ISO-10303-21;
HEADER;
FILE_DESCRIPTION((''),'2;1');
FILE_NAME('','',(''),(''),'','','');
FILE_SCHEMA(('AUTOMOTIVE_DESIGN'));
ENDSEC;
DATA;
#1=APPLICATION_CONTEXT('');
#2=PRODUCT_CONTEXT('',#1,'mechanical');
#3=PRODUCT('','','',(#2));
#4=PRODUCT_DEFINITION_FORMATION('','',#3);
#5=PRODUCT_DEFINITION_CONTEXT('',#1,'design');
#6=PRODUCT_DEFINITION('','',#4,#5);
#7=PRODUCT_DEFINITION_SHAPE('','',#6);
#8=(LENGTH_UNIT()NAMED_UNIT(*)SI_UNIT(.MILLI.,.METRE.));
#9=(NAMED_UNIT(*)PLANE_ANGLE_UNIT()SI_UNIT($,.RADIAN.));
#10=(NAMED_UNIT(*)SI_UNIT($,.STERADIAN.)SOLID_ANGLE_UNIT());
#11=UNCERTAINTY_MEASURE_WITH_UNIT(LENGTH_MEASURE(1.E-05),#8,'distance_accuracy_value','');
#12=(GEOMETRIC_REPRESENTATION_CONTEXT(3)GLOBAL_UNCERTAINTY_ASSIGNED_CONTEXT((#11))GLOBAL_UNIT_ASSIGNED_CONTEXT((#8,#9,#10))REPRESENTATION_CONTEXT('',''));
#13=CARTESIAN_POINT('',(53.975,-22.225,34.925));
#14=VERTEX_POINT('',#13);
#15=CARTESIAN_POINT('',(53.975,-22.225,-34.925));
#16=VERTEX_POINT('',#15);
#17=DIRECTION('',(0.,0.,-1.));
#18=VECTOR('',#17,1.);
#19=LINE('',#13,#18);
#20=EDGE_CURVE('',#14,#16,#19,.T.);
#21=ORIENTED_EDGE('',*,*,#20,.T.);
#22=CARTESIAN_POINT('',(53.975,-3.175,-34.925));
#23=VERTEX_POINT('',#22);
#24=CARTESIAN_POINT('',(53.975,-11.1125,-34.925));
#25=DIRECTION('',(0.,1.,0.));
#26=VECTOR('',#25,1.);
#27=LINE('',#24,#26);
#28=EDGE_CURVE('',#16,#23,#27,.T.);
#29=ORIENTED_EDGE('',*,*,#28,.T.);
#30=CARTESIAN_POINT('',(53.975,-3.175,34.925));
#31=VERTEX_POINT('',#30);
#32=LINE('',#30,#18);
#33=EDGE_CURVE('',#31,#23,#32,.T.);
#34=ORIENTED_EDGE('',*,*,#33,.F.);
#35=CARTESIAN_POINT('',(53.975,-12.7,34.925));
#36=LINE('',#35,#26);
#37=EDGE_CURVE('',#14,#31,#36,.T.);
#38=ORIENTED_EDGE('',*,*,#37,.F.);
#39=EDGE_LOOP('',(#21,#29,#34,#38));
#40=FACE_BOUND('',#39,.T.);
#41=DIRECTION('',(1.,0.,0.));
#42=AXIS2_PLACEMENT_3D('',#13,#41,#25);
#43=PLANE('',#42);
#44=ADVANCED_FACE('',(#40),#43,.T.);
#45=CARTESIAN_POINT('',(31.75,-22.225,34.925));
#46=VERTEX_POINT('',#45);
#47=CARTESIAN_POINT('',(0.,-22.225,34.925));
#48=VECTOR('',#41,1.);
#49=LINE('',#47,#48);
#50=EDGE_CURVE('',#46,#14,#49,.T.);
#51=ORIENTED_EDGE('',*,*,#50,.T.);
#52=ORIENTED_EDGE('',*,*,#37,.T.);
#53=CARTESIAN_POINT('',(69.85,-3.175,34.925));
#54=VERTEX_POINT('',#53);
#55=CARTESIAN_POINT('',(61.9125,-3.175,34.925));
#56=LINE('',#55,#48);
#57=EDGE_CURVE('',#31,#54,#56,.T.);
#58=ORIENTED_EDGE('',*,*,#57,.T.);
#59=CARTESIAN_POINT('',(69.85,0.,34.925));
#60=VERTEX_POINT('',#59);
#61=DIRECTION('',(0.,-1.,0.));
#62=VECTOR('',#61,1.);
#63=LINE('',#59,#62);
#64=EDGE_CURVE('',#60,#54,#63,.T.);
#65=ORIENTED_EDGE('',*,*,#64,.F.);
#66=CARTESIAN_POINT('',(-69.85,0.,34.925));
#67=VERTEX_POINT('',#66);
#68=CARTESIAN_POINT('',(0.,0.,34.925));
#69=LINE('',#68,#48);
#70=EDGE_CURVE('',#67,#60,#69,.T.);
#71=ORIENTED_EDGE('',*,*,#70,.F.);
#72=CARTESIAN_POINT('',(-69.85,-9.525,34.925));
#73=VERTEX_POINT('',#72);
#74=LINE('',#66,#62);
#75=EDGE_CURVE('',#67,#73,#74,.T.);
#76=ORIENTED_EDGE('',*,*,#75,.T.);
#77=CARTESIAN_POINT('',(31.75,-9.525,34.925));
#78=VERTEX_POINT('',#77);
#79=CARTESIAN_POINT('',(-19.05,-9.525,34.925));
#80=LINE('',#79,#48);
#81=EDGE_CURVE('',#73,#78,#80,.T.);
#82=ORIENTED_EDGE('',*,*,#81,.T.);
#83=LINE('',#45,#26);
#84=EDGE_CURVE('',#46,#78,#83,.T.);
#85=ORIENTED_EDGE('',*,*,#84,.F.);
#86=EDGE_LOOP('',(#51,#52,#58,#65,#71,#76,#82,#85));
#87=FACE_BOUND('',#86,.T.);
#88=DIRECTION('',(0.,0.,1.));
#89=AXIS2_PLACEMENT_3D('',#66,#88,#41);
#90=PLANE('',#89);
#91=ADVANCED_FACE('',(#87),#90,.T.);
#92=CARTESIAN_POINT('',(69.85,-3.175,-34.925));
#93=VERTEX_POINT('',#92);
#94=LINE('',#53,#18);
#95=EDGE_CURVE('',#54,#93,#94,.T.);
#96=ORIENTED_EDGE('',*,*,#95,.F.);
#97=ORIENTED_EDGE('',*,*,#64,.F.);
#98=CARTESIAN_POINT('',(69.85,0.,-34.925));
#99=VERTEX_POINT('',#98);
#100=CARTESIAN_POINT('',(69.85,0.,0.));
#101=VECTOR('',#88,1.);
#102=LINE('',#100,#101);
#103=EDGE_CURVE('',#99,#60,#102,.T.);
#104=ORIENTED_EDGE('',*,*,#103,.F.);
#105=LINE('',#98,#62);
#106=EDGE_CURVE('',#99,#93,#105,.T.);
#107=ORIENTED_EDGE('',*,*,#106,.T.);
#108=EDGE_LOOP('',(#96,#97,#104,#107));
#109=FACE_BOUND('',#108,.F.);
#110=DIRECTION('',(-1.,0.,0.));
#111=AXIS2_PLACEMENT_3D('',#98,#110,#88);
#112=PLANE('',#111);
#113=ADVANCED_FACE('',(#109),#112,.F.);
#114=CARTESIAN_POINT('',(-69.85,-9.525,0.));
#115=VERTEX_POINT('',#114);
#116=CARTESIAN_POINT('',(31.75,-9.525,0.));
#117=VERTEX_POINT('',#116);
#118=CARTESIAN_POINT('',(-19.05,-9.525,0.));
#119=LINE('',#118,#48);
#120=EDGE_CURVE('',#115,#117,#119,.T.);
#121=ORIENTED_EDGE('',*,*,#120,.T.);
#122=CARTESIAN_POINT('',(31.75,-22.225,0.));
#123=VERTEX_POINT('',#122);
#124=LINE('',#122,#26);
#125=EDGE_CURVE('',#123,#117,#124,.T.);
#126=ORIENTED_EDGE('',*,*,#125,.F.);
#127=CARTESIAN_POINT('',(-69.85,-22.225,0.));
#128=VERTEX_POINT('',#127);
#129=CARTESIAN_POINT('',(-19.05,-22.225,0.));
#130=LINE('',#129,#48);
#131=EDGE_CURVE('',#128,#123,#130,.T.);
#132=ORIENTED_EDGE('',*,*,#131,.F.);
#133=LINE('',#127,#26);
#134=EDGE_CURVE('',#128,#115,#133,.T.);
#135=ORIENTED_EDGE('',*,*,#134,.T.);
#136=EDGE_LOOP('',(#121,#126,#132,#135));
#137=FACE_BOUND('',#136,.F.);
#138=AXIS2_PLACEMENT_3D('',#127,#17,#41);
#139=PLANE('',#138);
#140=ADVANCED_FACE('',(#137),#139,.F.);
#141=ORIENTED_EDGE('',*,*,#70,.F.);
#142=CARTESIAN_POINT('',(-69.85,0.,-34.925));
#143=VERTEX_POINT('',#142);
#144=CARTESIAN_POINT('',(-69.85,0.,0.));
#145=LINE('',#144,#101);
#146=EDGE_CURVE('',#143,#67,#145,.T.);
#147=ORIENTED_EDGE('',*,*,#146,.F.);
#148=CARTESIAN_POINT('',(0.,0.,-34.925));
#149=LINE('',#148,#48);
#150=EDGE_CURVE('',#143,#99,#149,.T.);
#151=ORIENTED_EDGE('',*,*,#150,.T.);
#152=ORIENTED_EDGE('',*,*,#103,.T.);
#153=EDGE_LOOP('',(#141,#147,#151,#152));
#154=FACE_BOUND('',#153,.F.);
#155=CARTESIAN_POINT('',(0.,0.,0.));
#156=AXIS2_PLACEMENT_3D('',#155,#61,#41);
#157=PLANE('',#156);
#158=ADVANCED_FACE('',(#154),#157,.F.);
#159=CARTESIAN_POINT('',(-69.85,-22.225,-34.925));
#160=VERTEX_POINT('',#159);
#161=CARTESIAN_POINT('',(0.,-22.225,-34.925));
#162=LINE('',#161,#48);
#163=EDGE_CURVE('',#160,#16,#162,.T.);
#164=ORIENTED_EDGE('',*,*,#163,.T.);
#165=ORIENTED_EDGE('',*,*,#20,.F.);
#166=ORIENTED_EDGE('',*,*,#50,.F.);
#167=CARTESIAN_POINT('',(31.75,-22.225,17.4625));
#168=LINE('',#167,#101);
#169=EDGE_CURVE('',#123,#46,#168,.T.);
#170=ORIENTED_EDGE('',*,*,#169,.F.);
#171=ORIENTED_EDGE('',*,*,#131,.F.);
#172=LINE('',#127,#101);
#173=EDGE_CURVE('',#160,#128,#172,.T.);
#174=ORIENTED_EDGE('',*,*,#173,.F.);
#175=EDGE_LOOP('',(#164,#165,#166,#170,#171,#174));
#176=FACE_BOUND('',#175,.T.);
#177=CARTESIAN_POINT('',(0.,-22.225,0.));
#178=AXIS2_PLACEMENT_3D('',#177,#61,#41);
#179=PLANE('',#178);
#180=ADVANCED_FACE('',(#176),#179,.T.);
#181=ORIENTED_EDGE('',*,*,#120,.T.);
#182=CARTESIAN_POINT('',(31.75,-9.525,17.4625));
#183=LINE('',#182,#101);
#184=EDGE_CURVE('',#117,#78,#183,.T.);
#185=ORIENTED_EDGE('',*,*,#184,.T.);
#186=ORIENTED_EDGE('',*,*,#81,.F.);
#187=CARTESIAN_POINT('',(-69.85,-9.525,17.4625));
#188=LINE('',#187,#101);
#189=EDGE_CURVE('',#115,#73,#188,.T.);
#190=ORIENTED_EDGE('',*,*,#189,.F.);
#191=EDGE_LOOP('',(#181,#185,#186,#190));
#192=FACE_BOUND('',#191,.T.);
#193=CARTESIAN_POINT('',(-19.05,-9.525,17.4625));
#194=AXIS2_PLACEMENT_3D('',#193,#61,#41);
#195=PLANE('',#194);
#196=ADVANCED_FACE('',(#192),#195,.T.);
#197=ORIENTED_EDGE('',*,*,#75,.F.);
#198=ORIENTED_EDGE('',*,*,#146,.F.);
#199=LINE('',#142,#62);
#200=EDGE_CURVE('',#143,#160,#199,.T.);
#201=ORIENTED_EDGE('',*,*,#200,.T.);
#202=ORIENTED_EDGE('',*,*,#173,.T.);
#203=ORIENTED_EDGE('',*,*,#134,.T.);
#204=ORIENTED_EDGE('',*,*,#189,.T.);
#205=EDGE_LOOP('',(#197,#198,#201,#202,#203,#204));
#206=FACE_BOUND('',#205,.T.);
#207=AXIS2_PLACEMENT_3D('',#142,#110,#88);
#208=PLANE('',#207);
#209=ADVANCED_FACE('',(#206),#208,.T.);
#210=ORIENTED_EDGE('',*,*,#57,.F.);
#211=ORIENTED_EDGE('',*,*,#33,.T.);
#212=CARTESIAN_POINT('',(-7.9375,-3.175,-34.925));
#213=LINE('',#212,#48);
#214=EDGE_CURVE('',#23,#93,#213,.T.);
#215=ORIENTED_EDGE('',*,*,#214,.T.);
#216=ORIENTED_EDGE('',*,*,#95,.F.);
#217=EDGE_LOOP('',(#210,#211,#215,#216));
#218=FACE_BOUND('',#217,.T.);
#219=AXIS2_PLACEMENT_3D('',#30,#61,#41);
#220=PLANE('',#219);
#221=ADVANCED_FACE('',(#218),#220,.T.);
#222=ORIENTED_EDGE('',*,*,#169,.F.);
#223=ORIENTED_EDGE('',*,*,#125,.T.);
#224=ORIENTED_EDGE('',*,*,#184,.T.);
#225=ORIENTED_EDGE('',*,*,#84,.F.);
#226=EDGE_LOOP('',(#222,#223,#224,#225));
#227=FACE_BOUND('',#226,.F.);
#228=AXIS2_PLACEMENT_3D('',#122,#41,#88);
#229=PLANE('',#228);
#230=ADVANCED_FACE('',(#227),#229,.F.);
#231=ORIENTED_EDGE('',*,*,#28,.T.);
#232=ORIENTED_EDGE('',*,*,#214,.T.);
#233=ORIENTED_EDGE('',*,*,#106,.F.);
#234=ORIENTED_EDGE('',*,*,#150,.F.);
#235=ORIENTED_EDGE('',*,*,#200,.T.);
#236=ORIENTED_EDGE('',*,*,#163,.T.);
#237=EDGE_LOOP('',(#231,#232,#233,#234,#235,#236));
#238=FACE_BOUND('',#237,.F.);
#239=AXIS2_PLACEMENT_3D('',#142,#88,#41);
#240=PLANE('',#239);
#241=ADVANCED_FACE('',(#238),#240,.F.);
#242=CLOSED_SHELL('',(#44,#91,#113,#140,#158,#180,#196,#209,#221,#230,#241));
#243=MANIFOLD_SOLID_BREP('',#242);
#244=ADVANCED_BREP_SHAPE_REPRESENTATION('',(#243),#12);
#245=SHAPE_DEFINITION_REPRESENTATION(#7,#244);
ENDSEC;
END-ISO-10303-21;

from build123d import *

# Parameters (mm, degrees)
F0_W     = 139.7
F0_H     = 69.85
F1_DEPTH = 22.225
F2_W     = 101.6
F2_H     = 34.925
F3_DEPTH = 12.7
F4_W     = 15.875
F4_H     = 19.05
F5_DEPTH = 127


with BuildPart() as f1:
    # F0 (on Front) → F1 (new body)
    with BuildSketch(Plane.XZ):
        Rectangle(F0_W, F0_H)
    extrude(amount=F1_DEPTH)

    # F2 (on face) → F3 (cut)
    with BuildSketch(Plane.XZ.offset(22.225)):
        with Locations((-19.05, 17.4625)):
            Rectangle(F2_W, F2_H)
    extrude(amount=-F3_DEPTH, mode=Mode.SUBTRACT)

    # F4 (on face) → F5 (cut)
    with BuildSketch(Plane.XY.offset(34.925)):
        with Locations((61.9125, -12.7)):
            Rectangle(F4_W, F4_H)
    extrude(amount=-F5_DEPTH, mode=Mode.SUBTRACT)


solid = f1.part
